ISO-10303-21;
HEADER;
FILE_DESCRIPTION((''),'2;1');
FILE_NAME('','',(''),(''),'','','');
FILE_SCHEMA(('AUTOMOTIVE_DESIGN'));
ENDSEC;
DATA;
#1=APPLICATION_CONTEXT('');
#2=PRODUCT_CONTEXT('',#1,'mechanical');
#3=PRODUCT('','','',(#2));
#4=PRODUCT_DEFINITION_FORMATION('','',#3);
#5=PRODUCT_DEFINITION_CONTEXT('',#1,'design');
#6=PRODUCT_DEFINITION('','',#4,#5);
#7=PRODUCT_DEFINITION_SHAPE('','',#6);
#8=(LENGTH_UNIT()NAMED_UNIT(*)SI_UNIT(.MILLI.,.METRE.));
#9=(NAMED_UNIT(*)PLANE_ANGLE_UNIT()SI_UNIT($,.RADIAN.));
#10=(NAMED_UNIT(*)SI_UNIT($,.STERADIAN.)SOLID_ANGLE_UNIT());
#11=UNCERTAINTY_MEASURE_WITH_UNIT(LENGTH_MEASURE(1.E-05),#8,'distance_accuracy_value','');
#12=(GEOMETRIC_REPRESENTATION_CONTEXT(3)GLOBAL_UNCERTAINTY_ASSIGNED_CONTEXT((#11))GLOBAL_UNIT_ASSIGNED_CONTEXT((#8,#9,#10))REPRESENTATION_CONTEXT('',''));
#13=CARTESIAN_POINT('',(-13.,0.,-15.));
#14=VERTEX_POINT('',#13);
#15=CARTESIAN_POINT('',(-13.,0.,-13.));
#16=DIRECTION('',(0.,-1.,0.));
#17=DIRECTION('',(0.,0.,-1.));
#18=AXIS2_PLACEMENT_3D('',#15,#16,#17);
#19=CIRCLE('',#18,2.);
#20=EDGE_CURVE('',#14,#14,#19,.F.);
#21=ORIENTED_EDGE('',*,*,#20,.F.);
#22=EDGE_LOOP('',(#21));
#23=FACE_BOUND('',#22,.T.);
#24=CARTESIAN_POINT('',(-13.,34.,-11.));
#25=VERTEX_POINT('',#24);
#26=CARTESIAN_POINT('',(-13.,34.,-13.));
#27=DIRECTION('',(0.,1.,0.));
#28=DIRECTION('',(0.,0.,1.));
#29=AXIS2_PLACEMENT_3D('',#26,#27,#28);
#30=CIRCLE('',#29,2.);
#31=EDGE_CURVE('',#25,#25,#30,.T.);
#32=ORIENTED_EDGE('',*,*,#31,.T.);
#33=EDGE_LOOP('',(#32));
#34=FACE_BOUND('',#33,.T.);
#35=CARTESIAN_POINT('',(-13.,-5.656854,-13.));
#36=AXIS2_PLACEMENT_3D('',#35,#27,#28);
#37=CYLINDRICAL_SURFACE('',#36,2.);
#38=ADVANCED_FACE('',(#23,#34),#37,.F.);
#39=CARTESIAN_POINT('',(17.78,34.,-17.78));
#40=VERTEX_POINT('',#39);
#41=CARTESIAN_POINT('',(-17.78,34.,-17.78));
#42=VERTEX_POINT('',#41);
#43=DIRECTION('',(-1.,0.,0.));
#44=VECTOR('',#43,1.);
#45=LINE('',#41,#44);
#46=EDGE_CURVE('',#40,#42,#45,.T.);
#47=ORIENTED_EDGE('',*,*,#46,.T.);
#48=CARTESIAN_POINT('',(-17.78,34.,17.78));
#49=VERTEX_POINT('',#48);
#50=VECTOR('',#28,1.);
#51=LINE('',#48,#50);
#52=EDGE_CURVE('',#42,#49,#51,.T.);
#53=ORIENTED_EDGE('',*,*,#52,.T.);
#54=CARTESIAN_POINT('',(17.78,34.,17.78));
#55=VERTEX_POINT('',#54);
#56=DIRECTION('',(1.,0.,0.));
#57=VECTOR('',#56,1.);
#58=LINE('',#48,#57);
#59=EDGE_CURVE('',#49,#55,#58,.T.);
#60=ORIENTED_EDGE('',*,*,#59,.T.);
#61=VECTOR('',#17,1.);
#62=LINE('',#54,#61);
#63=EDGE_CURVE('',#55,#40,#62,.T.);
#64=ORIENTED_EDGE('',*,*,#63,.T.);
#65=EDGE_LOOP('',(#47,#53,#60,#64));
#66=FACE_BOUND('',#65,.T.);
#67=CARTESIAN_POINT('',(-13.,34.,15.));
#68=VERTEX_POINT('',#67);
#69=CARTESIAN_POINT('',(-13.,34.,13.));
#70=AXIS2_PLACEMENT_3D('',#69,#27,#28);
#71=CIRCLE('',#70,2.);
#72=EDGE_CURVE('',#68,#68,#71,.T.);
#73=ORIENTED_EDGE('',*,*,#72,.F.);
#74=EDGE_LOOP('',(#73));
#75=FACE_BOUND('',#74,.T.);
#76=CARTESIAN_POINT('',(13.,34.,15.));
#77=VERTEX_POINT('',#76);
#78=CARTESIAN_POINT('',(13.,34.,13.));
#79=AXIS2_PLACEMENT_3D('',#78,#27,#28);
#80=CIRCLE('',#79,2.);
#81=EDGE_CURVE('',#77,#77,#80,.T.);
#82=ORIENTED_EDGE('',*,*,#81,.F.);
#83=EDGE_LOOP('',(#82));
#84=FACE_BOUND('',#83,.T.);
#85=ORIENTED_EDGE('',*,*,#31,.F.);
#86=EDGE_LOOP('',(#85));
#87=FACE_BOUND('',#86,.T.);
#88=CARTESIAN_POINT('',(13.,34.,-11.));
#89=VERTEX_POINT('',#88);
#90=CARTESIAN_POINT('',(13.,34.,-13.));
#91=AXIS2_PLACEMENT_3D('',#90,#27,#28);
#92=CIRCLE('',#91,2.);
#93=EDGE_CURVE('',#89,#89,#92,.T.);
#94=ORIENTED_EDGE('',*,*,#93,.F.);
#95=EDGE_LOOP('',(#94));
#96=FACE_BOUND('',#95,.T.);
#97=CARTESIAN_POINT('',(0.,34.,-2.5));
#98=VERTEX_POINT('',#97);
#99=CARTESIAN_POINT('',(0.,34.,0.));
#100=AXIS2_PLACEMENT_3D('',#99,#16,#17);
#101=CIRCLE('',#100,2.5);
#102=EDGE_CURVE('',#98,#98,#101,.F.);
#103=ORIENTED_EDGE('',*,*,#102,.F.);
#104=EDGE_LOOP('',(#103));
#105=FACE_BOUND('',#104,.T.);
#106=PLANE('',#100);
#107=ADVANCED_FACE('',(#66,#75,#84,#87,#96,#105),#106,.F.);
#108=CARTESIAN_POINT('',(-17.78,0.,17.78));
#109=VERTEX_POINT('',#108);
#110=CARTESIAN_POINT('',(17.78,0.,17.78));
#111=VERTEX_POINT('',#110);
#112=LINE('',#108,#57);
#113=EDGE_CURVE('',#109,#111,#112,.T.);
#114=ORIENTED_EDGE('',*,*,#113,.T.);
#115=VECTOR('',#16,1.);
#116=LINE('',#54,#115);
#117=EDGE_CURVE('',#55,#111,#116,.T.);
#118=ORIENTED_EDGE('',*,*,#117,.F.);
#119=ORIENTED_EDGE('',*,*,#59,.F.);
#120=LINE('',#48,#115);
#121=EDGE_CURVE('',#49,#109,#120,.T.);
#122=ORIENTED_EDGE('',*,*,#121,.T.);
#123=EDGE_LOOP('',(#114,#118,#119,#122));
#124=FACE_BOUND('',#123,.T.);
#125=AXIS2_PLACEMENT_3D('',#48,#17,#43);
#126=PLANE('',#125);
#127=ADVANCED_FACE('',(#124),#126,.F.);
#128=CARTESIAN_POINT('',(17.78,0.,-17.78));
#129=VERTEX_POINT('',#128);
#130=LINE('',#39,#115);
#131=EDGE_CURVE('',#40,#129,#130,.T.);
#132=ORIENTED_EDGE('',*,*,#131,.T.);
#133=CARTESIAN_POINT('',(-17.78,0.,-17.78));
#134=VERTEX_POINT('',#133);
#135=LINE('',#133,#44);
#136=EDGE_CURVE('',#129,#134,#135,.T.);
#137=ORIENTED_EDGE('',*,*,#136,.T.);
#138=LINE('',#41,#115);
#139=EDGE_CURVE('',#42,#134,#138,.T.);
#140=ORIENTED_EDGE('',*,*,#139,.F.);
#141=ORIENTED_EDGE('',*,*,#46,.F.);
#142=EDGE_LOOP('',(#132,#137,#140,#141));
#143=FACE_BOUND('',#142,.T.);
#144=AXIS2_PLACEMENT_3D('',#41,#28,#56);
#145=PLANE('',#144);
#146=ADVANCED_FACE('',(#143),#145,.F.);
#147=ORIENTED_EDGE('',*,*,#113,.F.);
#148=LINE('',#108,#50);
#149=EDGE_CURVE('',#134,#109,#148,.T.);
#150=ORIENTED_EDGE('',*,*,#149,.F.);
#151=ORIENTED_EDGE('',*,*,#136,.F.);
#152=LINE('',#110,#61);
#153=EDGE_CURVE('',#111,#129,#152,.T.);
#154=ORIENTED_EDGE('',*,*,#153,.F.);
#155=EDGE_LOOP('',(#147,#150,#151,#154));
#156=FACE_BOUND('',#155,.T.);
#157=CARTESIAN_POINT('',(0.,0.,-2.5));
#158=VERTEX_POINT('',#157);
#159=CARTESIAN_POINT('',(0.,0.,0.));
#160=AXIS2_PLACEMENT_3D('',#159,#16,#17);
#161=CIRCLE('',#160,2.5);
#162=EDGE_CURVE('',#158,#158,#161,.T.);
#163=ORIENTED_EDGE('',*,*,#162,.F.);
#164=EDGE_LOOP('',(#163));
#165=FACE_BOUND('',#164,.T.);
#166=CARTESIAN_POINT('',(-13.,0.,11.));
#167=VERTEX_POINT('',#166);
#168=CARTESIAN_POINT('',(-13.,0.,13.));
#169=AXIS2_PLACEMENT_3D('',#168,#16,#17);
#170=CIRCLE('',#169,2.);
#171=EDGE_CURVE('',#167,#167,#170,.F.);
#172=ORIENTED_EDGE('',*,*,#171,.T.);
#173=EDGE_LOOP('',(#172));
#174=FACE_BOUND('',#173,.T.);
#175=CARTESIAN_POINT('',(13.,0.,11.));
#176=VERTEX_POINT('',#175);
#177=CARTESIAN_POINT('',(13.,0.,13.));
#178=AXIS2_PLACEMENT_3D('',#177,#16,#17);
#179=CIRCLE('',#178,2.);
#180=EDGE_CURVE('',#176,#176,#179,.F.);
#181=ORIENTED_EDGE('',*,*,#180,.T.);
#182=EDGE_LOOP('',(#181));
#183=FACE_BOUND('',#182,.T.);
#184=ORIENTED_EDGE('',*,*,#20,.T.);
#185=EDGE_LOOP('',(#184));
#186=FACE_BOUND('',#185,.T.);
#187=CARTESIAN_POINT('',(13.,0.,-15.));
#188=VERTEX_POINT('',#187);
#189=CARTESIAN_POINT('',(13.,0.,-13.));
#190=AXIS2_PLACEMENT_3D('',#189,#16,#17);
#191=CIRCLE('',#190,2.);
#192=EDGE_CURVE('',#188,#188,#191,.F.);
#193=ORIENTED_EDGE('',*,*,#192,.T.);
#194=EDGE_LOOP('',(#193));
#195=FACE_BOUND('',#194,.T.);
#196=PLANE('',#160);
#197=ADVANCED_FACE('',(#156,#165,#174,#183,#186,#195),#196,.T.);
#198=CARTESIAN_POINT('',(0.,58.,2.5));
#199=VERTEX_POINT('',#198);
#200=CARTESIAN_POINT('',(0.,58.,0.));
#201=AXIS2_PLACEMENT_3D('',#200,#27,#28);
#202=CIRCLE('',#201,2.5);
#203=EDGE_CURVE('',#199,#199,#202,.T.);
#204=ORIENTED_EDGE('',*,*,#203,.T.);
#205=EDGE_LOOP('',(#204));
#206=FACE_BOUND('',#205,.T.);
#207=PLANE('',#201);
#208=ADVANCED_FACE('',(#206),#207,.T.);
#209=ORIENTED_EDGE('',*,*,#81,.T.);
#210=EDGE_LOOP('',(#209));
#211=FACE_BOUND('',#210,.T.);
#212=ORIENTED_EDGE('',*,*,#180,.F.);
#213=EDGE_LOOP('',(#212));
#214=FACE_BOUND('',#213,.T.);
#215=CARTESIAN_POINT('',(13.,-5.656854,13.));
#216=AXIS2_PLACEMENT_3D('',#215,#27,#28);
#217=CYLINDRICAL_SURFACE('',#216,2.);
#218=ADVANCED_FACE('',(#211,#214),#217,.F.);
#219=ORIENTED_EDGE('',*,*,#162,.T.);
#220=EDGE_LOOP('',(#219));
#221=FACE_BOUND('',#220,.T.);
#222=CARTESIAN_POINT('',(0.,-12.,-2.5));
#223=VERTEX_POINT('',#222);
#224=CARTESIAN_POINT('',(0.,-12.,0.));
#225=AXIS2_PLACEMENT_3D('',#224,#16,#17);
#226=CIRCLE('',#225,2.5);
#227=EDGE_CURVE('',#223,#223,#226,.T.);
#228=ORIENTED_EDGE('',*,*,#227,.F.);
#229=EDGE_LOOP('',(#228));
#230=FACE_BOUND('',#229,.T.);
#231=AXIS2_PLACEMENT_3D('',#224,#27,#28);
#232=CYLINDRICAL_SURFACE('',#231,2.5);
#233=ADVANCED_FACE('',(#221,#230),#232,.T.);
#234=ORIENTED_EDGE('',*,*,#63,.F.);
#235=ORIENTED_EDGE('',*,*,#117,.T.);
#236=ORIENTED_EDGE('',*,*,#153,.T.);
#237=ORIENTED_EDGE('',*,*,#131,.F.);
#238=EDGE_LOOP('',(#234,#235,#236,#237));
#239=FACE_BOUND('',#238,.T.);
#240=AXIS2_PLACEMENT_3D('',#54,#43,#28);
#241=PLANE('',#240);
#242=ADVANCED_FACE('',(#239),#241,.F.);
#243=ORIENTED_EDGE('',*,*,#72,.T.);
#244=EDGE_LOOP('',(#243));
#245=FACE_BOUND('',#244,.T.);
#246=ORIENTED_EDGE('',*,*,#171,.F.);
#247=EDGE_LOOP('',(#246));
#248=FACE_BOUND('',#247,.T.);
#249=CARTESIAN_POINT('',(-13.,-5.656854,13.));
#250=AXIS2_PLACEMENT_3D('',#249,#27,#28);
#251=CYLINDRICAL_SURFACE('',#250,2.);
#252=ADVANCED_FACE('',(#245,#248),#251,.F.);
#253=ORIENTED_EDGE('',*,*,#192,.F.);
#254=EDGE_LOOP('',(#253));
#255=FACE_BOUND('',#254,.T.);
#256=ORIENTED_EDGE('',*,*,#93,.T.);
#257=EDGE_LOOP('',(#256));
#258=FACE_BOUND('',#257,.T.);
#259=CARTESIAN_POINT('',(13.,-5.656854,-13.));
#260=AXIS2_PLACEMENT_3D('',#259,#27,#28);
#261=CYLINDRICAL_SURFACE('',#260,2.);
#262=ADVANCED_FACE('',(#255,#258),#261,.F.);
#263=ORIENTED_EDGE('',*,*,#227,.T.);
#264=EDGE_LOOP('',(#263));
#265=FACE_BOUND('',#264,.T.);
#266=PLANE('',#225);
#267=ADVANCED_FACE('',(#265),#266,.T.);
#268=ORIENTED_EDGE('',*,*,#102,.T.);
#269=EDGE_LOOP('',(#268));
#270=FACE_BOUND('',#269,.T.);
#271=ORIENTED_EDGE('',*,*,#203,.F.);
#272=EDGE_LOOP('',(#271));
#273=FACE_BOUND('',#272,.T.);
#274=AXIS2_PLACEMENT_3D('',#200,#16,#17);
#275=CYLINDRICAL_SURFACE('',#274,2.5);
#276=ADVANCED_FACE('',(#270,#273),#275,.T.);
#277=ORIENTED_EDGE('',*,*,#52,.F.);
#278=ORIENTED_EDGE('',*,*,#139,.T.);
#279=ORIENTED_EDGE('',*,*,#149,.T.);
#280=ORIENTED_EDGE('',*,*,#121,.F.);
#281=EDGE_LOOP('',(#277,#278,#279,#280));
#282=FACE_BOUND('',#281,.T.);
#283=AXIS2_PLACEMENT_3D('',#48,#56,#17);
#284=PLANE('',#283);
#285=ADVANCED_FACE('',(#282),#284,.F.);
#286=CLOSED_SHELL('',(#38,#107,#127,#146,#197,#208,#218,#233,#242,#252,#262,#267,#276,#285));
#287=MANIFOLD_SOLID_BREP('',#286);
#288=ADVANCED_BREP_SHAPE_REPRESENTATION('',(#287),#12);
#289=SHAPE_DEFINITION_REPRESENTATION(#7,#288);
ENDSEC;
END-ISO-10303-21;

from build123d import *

# Parameters (mm, degrees)
SKETCH1_W           = 35.56
SKETCH1_H           = 35.56
BOSS_EXTRUDE1_DEPTH = 34
SKETCH2_R           = 2.5
BOSS_EXTRUDE2_DEPTH = 24
SKETCH3_R           = 2.5
BOSS_EXTRUDE3_DEPTH = 12
SKETCH4_R           = 2
CUT_EXTRUDE1_DEPTH  = 34


with BuildPart() as part:
    # Sketch1 → Boss-Extrude1 (new body)
    with BuildSketch(Plane(origin=(0, 0, 0), x_dir=(1, 0, 0), z_dir=(0, 1, 0))):
        Rectangle(SKETCH1_W, SKETCH1_H)
    extrude(amount=BOSS_EXTRUDE1_DEPTH)

    # Sketch2 → Boss-Extrude2 (add)
    with BuildSketch(Plane(origin=(0, 34, 0), x_dir=(1, 0, 0), z_dir=(0, 1, 0))):
        Circle(SKETCH2_R)
    extrude(amount=BOSS_EXTRUDE2_DEPTH)

    # Sketch3 → Boss-Extrude3 (add)
    with BuildSketch(Plane.XZ):
        Circle(SKETCH3_R)
    extrude(amount=BOSS_EXTRUDE3_DEPTH)

    # Sketch4 → Cut-Extrude1 (cut)
    with BuildSketch(Plane(origin=(0, 34, 0), x_dir=(1, 0, 0), z_dir=(0, 1, 0))):
        with Locations((-13, 13)):
            Circle(SKETCH4_R)
        with Locations((13, 13)):
            Circle(SKETCH4_R)
        with Locations((13, -13)):
            Circle(SKETCH4_R)
        with Locations((-13, -13)):
            Circle(SKETCH4_R)
    extrude(amount=-CUT_EXTRUDE1_DEPTH, mode=Mode.SUBTRACT)


solid = part.part
